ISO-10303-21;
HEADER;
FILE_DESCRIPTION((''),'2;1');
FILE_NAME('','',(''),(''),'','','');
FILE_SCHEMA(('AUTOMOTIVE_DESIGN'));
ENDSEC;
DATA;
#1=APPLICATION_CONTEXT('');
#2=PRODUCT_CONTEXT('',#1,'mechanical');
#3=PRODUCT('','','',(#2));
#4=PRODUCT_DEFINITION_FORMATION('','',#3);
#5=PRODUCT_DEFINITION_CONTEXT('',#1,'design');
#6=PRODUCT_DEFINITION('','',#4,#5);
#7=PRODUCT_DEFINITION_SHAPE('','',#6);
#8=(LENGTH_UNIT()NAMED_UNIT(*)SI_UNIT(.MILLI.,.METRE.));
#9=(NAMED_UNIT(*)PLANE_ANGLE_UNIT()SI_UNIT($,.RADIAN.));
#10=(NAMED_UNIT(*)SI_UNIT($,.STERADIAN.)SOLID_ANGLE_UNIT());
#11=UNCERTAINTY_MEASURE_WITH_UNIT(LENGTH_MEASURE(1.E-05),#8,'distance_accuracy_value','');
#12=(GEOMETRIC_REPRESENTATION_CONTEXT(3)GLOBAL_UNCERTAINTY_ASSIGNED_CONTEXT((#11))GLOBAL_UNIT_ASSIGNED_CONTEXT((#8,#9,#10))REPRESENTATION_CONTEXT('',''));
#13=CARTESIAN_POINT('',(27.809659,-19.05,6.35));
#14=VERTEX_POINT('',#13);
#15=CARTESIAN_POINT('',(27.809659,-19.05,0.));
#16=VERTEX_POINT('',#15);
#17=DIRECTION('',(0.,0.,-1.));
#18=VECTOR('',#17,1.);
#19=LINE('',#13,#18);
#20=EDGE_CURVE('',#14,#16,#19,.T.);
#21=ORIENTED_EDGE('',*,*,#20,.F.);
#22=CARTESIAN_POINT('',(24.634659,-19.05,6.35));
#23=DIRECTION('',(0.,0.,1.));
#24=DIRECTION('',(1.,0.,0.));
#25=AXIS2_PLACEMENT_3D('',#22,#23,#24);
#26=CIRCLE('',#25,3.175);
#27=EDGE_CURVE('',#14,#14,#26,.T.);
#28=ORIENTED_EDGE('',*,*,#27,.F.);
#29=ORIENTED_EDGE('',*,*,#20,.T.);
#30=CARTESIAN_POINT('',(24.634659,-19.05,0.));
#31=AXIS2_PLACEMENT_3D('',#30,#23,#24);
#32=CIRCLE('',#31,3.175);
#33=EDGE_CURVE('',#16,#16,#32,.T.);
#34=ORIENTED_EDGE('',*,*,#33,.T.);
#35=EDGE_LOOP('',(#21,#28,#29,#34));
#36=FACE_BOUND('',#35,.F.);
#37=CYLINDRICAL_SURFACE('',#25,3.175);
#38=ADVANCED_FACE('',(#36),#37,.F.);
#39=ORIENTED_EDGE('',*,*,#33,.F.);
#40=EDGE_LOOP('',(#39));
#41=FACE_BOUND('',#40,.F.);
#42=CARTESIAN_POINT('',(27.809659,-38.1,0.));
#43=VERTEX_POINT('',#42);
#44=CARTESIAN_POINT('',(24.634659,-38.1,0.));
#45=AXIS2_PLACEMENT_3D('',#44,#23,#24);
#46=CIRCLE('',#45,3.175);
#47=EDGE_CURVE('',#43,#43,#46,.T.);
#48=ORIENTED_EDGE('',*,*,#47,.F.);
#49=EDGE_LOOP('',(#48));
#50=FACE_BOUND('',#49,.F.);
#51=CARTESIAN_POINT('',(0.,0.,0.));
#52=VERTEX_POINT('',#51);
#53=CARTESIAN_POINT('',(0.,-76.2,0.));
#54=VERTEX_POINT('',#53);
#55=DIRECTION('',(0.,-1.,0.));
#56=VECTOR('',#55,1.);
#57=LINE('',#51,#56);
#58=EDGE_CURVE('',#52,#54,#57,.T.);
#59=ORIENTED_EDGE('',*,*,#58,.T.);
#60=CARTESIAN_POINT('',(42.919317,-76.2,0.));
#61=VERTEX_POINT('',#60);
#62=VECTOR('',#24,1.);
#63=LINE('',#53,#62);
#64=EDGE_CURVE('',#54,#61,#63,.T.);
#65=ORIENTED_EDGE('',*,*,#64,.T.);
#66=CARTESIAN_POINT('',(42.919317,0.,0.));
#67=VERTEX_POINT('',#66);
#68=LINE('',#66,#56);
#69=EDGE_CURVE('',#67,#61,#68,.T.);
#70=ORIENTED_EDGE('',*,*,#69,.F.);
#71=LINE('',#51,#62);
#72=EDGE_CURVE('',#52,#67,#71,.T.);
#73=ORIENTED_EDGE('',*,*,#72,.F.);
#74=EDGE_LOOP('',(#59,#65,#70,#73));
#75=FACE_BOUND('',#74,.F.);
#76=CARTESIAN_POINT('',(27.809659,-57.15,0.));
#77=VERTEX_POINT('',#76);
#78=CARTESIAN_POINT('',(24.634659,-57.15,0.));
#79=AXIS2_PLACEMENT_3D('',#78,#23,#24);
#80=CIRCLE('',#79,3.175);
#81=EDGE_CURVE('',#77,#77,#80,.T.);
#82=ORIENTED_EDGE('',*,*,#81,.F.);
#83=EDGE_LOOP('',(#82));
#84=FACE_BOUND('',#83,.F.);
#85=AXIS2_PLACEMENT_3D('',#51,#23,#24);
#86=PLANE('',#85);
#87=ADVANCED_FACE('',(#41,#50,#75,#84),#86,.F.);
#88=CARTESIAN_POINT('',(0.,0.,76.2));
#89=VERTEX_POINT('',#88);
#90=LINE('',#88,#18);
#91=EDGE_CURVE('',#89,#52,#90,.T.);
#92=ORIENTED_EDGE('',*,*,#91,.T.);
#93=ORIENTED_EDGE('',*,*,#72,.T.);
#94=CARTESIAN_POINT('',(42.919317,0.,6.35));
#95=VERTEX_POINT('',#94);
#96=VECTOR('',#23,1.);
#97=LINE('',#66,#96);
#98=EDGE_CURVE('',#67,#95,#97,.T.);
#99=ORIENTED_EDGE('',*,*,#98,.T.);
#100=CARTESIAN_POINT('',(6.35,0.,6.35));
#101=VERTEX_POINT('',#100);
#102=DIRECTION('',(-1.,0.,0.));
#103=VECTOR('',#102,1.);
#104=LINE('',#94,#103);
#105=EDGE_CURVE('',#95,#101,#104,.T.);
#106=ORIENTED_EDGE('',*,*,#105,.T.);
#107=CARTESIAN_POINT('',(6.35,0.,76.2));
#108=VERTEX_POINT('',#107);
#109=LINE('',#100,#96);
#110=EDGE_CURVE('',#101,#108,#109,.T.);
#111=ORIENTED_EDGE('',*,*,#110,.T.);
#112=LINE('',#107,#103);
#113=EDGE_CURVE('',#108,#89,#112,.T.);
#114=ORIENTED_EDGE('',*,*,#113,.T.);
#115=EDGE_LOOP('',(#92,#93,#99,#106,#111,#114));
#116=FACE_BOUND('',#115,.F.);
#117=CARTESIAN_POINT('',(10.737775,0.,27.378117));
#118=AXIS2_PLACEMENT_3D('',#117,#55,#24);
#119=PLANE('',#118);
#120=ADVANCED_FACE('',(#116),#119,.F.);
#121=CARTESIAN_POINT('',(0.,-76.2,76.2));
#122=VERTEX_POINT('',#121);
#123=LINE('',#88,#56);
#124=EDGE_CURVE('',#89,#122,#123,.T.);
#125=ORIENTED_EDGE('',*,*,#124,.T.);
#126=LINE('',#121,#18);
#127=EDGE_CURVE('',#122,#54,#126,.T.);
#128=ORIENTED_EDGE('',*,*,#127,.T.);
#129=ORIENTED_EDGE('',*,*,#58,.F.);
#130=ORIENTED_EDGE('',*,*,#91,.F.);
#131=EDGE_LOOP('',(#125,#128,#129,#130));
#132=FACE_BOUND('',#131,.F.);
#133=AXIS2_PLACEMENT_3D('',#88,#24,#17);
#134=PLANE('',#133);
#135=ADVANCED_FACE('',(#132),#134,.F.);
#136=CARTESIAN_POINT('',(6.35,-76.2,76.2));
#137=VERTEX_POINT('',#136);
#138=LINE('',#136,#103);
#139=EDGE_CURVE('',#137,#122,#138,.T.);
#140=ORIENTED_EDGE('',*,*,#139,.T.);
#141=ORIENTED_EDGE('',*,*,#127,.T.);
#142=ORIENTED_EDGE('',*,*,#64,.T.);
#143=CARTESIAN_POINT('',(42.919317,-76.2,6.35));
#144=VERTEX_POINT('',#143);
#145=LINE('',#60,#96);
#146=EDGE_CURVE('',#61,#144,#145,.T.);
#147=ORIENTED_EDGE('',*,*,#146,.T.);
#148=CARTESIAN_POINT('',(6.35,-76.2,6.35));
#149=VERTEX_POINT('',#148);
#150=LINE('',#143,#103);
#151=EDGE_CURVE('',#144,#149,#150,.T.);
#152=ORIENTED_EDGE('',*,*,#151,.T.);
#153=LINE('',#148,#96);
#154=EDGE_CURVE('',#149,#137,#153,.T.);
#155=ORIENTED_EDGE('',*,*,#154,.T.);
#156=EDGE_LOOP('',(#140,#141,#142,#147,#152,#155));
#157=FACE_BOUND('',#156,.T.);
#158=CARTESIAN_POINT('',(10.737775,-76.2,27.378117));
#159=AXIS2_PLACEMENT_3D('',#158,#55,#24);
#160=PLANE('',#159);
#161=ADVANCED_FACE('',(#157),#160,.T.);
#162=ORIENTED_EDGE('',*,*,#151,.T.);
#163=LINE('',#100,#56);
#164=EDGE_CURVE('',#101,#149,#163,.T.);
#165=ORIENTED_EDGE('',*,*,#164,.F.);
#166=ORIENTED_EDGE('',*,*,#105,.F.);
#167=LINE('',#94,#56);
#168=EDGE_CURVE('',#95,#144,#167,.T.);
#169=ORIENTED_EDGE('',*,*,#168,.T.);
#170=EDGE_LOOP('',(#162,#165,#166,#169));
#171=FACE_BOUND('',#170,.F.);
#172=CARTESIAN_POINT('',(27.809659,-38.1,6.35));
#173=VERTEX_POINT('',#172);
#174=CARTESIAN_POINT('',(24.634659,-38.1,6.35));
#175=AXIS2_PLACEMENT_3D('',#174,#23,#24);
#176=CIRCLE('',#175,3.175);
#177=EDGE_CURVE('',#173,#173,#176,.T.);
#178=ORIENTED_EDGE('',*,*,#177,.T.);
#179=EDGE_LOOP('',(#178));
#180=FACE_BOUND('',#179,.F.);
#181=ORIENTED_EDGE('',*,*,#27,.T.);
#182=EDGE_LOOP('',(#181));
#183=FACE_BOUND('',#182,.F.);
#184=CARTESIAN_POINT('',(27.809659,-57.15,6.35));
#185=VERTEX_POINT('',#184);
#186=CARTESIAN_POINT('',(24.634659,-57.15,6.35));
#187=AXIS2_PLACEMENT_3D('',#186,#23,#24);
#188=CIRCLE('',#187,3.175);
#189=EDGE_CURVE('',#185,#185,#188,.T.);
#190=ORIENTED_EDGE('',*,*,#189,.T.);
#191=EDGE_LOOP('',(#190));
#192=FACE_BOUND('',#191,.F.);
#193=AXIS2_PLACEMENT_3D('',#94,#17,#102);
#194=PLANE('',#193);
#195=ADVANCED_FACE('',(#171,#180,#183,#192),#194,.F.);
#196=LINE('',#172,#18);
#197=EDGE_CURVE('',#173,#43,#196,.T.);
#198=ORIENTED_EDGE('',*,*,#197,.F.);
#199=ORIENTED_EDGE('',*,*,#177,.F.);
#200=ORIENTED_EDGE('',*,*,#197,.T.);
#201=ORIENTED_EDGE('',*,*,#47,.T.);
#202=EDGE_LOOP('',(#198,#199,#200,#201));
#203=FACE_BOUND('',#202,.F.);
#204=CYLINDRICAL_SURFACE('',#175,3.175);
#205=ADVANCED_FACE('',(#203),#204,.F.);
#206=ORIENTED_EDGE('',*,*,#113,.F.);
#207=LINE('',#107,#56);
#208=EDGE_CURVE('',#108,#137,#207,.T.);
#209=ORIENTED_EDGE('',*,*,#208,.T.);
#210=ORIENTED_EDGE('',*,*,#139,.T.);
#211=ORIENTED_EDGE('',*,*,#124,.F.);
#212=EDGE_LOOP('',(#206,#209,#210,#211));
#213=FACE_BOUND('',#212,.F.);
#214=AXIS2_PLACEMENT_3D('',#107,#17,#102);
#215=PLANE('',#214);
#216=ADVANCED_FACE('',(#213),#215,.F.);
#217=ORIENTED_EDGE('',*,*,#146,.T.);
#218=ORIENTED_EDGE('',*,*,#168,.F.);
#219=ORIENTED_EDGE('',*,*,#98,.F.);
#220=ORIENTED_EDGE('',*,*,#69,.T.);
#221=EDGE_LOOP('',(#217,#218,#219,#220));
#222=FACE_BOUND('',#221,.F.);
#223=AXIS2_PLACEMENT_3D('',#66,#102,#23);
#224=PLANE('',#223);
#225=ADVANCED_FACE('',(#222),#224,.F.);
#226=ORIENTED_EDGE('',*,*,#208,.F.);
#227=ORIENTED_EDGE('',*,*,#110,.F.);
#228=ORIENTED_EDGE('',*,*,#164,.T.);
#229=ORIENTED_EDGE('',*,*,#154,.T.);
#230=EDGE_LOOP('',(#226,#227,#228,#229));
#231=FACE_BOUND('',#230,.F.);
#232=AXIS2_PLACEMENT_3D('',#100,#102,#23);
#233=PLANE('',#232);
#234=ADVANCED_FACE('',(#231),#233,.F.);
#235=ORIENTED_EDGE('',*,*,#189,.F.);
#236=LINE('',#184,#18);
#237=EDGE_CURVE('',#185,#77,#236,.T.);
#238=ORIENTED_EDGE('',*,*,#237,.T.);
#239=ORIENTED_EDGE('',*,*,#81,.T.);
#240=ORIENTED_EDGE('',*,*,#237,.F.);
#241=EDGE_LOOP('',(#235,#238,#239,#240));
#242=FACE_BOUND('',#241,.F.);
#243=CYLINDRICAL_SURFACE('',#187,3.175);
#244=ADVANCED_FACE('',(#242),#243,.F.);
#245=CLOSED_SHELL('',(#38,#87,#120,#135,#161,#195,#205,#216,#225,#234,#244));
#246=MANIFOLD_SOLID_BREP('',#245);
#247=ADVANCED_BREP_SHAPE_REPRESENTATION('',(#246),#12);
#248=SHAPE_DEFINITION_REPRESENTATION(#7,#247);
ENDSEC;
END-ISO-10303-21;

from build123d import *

# Parameters (mm, degrees)
F1_DEPTH = 76.2
F2_R     = 3.175
F3_DEPTH = 6.351


with BuildPart() as f1:
    # F0 (on Front) → F1 (new body)
    with BuildSketch(Plane.XZ):
        Polygon((0, 76.2), (0, 0), (42.919317, 0), (42.919317, 6.35), (6.35, 6.35), (6.35, 76.2), align=None)
    extrude(amount=F1_DEPTH)

    # F2 (on face) → F3 (cut, through all)
    with BuildSketch(Plane.XY.offset(6.35)):
        with Locations((24.634659, -19.05)):
            Circle(F2_R)
        with Locations((24.634659, -38.1)):
            Circle(F2_R)
        with Locations((24.634659, -57.15)):
            Circle(F2_R)
    extrude(amount=-F3_DEPTH, mode=Mode.SUBTRACT)


solid = f1.part
